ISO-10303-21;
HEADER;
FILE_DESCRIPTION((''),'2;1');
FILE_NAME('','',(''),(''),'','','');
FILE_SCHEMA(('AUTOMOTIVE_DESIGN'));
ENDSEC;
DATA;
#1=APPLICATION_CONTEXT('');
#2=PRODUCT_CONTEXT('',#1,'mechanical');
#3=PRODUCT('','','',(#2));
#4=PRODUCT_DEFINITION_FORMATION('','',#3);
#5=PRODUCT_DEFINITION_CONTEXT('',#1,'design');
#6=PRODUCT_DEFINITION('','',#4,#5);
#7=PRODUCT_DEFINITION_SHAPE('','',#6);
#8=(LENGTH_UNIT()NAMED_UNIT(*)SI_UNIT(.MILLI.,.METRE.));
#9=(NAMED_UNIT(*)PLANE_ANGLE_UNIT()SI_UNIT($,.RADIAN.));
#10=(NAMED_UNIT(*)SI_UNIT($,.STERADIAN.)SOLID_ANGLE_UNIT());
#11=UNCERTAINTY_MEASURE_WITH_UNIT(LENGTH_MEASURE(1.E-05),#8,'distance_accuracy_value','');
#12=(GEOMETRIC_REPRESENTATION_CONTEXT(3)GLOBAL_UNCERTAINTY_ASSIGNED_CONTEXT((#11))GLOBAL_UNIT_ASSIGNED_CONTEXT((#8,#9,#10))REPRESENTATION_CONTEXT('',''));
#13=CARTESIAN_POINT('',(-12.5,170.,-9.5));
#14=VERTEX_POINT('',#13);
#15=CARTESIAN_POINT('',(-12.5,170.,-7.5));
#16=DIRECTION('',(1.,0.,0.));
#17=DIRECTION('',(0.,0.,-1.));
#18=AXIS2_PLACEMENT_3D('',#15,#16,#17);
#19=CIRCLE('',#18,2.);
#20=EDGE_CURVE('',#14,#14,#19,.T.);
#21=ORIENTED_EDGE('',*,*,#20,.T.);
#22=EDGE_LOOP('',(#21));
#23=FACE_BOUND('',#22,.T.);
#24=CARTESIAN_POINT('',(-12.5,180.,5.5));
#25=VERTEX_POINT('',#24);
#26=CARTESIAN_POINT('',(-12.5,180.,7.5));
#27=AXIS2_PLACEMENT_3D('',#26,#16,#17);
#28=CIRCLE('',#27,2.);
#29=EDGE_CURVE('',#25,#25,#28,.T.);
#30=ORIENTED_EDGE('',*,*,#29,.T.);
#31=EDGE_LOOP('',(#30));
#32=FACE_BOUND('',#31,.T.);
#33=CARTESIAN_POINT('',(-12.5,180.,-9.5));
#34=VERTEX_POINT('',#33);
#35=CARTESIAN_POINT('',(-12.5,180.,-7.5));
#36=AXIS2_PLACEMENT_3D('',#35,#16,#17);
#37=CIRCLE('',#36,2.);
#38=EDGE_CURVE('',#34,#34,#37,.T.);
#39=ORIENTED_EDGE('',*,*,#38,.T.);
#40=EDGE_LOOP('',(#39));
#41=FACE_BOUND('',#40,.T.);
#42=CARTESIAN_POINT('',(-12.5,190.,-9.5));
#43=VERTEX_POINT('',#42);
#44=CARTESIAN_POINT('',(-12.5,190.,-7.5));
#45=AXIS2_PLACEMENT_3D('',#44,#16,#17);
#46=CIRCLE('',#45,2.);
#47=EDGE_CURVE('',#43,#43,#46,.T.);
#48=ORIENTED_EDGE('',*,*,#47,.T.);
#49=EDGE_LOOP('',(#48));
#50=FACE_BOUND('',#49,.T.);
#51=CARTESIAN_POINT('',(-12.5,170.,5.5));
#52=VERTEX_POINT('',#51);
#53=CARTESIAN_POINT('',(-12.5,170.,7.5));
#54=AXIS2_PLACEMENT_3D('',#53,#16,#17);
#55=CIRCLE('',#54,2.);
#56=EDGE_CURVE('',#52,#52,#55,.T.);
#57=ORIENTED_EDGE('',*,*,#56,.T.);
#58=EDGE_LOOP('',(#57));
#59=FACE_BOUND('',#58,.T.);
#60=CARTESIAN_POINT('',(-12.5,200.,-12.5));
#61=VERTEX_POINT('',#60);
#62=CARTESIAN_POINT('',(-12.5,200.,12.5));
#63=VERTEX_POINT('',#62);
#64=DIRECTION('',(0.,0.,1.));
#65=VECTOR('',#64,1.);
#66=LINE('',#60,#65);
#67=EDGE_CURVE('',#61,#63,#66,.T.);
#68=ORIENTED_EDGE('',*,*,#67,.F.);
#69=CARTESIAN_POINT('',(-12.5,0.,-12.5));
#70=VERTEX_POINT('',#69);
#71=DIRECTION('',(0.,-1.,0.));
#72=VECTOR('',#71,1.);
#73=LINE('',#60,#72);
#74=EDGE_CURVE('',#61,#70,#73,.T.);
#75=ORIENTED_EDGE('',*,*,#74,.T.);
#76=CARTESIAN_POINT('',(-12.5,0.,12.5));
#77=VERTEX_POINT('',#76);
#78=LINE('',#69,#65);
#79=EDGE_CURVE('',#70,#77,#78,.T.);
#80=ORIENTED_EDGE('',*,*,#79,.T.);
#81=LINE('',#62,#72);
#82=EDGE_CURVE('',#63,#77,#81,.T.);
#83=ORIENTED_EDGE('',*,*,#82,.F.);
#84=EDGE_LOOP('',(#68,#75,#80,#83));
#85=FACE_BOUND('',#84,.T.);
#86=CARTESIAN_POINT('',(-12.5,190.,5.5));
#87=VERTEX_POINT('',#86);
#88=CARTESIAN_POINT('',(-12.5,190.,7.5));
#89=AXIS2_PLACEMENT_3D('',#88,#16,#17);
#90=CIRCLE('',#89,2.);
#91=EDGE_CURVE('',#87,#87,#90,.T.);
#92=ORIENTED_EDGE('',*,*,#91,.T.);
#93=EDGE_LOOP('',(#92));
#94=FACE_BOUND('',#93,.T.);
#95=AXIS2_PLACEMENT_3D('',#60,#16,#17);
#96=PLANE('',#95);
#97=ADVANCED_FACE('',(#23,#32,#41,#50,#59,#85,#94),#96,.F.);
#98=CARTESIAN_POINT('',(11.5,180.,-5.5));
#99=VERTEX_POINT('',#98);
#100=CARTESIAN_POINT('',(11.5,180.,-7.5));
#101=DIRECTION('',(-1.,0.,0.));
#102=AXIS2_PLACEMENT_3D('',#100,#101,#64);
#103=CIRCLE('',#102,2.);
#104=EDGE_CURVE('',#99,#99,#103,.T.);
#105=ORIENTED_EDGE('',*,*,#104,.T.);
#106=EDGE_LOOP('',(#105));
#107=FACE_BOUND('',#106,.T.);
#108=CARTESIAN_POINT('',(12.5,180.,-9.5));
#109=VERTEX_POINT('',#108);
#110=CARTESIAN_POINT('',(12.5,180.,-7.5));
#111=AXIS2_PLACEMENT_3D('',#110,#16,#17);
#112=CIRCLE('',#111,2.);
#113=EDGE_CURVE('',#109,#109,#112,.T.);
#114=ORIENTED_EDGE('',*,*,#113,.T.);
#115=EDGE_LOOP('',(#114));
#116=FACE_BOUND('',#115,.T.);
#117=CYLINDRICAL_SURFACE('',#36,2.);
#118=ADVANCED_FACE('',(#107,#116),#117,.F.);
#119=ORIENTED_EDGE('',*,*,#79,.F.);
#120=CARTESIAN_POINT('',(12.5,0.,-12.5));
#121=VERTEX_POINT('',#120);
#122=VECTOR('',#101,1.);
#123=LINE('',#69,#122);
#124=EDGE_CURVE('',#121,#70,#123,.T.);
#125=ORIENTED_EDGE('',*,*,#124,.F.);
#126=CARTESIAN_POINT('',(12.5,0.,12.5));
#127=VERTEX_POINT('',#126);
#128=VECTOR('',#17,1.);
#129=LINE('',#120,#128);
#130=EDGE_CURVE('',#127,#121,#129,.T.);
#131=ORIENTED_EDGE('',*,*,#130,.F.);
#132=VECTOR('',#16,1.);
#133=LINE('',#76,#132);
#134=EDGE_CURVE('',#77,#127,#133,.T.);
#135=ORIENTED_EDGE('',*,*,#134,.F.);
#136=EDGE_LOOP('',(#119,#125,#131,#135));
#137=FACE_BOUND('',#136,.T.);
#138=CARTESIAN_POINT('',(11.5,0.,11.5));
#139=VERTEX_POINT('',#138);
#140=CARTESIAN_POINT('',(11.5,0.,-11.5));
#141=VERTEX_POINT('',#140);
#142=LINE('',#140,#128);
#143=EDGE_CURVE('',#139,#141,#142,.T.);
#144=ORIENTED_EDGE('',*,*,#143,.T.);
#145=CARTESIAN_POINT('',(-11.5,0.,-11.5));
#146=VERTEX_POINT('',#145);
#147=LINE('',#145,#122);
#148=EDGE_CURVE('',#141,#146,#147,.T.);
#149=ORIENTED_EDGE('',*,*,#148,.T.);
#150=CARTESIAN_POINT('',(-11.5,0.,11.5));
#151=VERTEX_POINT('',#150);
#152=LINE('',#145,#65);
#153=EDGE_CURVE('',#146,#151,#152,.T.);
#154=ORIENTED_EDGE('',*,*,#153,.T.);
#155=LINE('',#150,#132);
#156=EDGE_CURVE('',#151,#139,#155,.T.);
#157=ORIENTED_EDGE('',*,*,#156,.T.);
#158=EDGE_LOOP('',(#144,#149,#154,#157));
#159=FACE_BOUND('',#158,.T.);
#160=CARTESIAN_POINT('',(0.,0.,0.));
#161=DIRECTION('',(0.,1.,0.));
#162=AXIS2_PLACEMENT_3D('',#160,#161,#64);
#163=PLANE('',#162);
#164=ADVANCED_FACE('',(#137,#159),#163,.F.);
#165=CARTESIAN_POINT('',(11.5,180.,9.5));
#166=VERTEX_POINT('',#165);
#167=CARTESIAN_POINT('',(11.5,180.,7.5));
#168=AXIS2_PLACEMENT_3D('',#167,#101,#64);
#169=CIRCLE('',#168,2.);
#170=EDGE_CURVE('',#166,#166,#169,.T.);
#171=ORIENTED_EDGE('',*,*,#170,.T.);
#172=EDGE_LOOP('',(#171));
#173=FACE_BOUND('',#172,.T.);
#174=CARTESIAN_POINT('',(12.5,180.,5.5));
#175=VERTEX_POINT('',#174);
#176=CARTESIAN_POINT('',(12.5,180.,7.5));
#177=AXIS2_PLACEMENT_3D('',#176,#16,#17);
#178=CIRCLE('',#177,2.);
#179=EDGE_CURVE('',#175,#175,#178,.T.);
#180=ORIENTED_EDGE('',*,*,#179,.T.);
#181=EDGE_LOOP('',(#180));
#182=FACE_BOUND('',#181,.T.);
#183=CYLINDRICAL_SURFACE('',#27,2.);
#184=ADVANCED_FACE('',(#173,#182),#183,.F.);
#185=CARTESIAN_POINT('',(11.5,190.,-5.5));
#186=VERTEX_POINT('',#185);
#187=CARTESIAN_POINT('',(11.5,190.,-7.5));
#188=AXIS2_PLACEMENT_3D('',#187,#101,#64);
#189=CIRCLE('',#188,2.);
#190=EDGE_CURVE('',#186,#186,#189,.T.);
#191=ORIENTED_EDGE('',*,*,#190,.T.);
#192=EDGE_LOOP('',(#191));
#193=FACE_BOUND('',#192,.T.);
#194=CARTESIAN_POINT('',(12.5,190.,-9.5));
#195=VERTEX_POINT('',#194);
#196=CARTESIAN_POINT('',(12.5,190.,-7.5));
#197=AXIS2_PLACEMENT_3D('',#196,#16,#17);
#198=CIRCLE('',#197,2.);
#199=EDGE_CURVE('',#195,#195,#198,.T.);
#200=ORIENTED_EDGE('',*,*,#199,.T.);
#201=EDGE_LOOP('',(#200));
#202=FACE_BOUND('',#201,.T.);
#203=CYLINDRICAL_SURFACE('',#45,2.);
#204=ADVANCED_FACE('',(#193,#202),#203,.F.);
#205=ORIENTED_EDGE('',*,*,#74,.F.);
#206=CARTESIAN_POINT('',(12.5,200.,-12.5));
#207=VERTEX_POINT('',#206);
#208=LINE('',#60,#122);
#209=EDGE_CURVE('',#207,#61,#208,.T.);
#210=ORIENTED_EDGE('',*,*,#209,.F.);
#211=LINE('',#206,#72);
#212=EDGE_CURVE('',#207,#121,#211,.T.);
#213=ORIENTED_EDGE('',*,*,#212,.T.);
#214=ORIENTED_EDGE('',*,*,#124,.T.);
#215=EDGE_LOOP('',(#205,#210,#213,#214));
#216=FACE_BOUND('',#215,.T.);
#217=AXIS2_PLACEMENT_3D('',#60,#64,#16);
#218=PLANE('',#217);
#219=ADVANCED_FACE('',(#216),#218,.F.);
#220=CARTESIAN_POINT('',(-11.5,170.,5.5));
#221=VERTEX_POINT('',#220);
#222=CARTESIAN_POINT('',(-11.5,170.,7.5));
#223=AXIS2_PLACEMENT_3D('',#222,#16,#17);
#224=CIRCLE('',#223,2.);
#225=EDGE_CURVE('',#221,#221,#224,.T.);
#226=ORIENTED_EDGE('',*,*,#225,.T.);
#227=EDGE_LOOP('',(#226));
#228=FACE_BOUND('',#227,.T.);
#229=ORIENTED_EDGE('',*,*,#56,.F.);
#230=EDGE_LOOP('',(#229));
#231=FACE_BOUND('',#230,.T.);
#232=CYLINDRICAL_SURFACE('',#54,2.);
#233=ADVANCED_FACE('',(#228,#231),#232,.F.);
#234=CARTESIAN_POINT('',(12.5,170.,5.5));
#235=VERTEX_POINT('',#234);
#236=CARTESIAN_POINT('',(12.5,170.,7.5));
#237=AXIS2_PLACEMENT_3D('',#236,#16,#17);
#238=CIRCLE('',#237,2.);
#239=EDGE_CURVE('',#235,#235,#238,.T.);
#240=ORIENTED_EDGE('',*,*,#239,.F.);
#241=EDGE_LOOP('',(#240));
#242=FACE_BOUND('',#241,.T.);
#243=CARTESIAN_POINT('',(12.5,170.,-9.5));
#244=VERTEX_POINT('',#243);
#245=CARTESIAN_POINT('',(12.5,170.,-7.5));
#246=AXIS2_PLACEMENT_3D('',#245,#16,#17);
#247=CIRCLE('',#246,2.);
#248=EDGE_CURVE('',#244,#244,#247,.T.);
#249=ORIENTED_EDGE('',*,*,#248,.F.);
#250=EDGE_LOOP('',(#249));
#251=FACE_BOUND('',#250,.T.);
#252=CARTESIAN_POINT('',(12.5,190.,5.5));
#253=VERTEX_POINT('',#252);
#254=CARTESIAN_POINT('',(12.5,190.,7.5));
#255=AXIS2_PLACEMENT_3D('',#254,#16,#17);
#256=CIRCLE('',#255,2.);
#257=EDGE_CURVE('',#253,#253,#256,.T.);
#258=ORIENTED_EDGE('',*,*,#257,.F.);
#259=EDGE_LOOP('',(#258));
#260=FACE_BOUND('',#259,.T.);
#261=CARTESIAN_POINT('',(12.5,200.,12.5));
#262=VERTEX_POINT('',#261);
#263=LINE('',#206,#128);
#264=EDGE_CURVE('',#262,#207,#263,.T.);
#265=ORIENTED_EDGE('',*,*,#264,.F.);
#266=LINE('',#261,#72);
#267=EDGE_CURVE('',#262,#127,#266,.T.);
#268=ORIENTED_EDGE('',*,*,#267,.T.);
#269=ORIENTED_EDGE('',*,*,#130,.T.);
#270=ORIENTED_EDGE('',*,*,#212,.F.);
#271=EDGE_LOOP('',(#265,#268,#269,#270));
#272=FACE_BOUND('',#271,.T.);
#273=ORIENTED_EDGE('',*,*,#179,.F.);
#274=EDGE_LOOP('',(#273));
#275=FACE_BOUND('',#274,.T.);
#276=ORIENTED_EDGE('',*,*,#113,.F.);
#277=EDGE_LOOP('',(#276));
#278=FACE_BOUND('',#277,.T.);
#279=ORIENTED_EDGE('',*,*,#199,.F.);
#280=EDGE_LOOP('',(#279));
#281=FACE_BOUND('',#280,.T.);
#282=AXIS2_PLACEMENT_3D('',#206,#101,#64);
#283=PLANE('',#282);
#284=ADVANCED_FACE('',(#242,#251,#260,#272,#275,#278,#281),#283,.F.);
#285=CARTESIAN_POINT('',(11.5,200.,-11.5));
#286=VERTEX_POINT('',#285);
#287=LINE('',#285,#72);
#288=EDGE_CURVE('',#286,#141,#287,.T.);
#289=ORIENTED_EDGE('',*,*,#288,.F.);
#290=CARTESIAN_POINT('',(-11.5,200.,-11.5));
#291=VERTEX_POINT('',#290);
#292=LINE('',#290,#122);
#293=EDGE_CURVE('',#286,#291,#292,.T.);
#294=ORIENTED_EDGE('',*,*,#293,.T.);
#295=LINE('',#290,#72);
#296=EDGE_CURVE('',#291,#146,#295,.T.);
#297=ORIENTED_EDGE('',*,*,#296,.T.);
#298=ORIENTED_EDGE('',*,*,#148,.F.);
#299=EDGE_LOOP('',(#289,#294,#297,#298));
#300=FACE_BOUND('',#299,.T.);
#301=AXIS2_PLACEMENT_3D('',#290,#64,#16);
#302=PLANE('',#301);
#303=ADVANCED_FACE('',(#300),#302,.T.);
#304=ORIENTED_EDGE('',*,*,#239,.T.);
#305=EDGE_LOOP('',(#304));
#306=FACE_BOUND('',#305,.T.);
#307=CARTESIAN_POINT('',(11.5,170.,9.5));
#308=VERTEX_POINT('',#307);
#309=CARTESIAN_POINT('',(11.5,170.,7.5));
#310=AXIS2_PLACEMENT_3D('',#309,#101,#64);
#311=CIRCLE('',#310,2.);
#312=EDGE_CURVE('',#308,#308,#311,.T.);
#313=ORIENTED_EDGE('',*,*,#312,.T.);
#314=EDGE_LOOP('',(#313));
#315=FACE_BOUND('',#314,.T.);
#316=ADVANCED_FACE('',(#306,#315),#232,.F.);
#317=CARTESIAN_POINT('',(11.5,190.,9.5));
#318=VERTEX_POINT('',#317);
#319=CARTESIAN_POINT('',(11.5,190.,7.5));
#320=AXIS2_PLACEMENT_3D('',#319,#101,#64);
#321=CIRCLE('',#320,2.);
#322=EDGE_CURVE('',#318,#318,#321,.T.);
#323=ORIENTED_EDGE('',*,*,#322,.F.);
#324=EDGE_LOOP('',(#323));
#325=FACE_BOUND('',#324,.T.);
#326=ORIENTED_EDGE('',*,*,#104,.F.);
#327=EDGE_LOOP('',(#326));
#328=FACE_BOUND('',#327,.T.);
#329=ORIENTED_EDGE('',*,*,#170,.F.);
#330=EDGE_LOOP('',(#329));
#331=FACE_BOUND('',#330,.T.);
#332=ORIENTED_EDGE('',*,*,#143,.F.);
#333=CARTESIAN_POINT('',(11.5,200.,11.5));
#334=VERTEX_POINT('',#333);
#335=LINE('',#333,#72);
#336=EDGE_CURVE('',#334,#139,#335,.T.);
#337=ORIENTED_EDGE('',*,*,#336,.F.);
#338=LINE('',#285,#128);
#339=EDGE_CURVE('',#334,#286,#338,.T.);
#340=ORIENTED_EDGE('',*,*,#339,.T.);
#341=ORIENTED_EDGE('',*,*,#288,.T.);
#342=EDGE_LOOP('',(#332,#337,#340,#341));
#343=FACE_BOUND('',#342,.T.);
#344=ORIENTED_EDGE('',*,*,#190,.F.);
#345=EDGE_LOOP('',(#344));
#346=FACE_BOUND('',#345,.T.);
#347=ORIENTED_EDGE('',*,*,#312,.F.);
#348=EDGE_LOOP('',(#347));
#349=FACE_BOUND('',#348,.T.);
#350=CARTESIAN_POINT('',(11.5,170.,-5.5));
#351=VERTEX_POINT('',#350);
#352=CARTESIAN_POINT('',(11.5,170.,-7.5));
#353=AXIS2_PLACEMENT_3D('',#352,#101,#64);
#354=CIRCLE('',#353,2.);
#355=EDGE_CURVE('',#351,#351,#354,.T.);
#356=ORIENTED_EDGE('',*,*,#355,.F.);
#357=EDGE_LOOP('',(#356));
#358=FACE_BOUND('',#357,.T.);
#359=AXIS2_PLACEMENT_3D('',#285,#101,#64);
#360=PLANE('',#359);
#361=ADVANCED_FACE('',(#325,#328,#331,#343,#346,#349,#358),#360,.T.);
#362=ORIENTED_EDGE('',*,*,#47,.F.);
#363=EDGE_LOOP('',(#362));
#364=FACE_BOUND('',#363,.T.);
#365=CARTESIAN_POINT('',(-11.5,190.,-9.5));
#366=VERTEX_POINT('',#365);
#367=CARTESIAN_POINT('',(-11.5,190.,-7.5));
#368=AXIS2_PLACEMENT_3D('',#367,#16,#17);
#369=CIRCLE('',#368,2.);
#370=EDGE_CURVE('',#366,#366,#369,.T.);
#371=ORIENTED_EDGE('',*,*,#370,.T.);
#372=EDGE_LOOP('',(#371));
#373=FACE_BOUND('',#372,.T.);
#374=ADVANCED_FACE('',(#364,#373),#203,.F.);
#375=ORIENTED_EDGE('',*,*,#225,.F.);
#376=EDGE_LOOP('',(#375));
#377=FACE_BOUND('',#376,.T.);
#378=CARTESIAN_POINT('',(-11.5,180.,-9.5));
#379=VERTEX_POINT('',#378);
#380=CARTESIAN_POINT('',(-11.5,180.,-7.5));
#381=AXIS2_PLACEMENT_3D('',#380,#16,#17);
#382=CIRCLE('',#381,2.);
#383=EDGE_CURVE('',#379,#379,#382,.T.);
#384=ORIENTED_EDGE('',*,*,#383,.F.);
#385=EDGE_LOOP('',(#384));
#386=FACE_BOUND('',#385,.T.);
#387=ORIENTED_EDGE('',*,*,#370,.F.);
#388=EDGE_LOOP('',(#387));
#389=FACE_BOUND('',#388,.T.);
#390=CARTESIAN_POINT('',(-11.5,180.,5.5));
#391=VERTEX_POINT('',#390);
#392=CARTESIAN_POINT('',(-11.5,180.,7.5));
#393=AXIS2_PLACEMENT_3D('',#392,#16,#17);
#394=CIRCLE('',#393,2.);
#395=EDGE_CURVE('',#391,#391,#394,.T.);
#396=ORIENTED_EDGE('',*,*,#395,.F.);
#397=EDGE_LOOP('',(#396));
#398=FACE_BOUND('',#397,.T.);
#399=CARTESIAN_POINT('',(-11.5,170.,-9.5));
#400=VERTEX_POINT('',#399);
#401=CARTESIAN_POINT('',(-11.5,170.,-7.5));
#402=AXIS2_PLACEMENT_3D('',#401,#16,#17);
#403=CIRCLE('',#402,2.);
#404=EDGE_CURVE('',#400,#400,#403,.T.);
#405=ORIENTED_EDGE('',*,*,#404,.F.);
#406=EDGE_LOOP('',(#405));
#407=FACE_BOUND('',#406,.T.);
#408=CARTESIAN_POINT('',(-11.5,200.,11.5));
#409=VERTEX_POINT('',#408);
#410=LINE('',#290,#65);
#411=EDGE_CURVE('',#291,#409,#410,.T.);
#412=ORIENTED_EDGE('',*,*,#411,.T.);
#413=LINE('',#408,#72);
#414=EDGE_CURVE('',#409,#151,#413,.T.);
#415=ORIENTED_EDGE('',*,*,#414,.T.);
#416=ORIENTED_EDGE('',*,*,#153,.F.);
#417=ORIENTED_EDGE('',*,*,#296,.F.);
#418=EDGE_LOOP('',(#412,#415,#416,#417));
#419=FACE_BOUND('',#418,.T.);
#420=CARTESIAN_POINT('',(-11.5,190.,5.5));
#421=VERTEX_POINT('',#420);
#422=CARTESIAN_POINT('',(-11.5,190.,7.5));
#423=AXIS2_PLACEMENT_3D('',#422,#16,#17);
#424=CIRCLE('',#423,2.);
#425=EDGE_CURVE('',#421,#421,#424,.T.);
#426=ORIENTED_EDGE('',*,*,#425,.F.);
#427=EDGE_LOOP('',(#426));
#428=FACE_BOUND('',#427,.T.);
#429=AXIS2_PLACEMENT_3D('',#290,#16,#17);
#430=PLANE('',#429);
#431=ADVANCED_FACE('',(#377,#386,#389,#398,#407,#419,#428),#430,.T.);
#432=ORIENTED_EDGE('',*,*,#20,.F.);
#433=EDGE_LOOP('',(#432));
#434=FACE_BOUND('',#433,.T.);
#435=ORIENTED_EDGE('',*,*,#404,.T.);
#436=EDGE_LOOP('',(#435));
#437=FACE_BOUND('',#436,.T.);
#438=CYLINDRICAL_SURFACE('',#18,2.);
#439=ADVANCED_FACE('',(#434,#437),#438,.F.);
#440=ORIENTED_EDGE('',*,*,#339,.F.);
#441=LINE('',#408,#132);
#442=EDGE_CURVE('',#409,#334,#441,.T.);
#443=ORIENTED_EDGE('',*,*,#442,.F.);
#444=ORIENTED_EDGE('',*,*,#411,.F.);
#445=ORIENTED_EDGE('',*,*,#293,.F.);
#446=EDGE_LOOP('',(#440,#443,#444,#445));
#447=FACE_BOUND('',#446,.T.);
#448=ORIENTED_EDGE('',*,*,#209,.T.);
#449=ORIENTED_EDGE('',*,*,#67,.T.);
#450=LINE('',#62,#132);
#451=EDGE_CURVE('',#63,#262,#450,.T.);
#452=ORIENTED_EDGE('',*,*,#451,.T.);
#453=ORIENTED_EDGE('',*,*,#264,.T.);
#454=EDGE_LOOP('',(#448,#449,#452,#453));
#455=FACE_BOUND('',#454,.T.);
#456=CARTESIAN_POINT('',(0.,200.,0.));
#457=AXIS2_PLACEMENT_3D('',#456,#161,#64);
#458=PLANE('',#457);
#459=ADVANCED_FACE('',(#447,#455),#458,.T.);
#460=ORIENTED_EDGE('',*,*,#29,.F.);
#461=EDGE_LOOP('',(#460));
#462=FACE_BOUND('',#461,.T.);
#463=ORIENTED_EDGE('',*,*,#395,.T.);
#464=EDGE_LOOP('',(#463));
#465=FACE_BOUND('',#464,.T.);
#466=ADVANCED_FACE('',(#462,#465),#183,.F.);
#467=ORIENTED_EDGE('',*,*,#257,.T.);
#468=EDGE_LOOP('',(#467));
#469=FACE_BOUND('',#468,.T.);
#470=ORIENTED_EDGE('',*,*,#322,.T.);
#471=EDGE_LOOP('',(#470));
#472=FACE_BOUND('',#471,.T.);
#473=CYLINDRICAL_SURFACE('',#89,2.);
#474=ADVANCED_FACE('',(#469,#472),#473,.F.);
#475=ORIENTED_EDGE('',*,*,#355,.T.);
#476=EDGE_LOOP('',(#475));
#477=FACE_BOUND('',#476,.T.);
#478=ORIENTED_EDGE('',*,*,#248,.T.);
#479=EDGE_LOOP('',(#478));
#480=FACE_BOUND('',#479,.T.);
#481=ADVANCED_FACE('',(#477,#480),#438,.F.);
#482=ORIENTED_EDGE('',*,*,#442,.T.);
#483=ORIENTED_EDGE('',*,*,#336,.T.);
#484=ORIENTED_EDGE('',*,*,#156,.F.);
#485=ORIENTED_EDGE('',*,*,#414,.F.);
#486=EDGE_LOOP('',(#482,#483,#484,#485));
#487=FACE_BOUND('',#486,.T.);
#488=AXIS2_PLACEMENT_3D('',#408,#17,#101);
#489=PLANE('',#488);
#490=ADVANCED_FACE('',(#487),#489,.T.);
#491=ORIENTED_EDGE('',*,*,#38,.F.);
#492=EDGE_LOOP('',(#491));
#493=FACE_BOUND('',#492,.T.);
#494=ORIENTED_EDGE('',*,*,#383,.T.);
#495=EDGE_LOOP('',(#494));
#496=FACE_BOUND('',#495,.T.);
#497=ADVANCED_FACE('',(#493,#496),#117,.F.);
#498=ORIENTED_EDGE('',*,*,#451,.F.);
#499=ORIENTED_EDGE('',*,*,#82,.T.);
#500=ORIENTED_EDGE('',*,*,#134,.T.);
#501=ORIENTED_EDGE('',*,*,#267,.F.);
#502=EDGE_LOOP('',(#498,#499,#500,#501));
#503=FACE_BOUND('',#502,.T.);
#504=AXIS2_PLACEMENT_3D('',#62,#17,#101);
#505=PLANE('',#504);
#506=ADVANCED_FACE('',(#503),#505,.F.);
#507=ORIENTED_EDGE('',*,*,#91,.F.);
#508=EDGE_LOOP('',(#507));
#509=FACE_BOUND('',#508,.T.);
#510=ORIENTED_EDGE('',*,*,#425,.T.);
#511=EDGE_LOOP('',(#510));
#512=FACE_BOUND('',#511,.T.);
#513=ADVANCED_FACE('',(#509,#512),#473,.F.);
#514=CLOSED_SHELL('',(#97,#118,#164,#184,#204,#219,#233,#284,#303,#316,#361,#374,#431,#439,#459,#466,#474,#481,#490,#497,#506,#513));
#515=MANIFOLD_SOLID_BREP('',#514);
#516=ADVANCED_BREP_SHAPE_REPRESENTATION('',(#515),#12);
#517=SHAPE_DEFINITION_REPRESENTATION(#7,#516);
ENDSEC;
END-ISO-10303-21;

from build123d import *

# Parameters (mm, degrees)
SKETCH1_W           = 25
SKETCH1_H           = 25
SKETCH1_W_2         = 23
SKETCH1_H_2         = 23
BOSS_EXTRUDE1_DEPTH = 200
SKETCH3_R           = 2
CUT_EXTRUDE1_DEPTH  = 25


with BuildPart() as part:
    # Sketch1 → Boss-Extrude1 (new body)
    with BuildSketch(Plane(origin=(0, 0, 0), x_dir=(1, 0, 0), z_dir=(0, 1, 0))):
        Rectangle(SKETCH1_W, SKETCH1_H)
        Rectangle(SKETCH1_W_2, SKETCH1_H_2, mode=Mode.SUBTRACT)
    extrude(amount=BOSS_EXTRUDE1_DEPTH)

    # Sketch3 → Cut-Extrude1 (cut)
    with BuildSketch(Plane(origin=(12.5, 0, 0), x_dir=(0, 0, -1), z_dir=(1, 0, 0))):
        with Locations((7.5, 190)):
            Circle(SKETCH3_R)
        with Locations((7.5, 180)):
            Circle(SKETCH3_R)
        with Locations((-7.5, 190)):
            Circle(SKETCH3_R)
        with Locations((-7.5, 180)):
            Circle(SKETCH3_R)
        with Locations((7.5, 170)):
            Circle(SKETCH3_R)
        with Locations((-7.5, 170)):
            Circle(SKETCH3_R)
    extrude(amount=-CUT_EXTRUDE1_DEPTH, mode=Mode.SUBTRACT)


solid = part.part
